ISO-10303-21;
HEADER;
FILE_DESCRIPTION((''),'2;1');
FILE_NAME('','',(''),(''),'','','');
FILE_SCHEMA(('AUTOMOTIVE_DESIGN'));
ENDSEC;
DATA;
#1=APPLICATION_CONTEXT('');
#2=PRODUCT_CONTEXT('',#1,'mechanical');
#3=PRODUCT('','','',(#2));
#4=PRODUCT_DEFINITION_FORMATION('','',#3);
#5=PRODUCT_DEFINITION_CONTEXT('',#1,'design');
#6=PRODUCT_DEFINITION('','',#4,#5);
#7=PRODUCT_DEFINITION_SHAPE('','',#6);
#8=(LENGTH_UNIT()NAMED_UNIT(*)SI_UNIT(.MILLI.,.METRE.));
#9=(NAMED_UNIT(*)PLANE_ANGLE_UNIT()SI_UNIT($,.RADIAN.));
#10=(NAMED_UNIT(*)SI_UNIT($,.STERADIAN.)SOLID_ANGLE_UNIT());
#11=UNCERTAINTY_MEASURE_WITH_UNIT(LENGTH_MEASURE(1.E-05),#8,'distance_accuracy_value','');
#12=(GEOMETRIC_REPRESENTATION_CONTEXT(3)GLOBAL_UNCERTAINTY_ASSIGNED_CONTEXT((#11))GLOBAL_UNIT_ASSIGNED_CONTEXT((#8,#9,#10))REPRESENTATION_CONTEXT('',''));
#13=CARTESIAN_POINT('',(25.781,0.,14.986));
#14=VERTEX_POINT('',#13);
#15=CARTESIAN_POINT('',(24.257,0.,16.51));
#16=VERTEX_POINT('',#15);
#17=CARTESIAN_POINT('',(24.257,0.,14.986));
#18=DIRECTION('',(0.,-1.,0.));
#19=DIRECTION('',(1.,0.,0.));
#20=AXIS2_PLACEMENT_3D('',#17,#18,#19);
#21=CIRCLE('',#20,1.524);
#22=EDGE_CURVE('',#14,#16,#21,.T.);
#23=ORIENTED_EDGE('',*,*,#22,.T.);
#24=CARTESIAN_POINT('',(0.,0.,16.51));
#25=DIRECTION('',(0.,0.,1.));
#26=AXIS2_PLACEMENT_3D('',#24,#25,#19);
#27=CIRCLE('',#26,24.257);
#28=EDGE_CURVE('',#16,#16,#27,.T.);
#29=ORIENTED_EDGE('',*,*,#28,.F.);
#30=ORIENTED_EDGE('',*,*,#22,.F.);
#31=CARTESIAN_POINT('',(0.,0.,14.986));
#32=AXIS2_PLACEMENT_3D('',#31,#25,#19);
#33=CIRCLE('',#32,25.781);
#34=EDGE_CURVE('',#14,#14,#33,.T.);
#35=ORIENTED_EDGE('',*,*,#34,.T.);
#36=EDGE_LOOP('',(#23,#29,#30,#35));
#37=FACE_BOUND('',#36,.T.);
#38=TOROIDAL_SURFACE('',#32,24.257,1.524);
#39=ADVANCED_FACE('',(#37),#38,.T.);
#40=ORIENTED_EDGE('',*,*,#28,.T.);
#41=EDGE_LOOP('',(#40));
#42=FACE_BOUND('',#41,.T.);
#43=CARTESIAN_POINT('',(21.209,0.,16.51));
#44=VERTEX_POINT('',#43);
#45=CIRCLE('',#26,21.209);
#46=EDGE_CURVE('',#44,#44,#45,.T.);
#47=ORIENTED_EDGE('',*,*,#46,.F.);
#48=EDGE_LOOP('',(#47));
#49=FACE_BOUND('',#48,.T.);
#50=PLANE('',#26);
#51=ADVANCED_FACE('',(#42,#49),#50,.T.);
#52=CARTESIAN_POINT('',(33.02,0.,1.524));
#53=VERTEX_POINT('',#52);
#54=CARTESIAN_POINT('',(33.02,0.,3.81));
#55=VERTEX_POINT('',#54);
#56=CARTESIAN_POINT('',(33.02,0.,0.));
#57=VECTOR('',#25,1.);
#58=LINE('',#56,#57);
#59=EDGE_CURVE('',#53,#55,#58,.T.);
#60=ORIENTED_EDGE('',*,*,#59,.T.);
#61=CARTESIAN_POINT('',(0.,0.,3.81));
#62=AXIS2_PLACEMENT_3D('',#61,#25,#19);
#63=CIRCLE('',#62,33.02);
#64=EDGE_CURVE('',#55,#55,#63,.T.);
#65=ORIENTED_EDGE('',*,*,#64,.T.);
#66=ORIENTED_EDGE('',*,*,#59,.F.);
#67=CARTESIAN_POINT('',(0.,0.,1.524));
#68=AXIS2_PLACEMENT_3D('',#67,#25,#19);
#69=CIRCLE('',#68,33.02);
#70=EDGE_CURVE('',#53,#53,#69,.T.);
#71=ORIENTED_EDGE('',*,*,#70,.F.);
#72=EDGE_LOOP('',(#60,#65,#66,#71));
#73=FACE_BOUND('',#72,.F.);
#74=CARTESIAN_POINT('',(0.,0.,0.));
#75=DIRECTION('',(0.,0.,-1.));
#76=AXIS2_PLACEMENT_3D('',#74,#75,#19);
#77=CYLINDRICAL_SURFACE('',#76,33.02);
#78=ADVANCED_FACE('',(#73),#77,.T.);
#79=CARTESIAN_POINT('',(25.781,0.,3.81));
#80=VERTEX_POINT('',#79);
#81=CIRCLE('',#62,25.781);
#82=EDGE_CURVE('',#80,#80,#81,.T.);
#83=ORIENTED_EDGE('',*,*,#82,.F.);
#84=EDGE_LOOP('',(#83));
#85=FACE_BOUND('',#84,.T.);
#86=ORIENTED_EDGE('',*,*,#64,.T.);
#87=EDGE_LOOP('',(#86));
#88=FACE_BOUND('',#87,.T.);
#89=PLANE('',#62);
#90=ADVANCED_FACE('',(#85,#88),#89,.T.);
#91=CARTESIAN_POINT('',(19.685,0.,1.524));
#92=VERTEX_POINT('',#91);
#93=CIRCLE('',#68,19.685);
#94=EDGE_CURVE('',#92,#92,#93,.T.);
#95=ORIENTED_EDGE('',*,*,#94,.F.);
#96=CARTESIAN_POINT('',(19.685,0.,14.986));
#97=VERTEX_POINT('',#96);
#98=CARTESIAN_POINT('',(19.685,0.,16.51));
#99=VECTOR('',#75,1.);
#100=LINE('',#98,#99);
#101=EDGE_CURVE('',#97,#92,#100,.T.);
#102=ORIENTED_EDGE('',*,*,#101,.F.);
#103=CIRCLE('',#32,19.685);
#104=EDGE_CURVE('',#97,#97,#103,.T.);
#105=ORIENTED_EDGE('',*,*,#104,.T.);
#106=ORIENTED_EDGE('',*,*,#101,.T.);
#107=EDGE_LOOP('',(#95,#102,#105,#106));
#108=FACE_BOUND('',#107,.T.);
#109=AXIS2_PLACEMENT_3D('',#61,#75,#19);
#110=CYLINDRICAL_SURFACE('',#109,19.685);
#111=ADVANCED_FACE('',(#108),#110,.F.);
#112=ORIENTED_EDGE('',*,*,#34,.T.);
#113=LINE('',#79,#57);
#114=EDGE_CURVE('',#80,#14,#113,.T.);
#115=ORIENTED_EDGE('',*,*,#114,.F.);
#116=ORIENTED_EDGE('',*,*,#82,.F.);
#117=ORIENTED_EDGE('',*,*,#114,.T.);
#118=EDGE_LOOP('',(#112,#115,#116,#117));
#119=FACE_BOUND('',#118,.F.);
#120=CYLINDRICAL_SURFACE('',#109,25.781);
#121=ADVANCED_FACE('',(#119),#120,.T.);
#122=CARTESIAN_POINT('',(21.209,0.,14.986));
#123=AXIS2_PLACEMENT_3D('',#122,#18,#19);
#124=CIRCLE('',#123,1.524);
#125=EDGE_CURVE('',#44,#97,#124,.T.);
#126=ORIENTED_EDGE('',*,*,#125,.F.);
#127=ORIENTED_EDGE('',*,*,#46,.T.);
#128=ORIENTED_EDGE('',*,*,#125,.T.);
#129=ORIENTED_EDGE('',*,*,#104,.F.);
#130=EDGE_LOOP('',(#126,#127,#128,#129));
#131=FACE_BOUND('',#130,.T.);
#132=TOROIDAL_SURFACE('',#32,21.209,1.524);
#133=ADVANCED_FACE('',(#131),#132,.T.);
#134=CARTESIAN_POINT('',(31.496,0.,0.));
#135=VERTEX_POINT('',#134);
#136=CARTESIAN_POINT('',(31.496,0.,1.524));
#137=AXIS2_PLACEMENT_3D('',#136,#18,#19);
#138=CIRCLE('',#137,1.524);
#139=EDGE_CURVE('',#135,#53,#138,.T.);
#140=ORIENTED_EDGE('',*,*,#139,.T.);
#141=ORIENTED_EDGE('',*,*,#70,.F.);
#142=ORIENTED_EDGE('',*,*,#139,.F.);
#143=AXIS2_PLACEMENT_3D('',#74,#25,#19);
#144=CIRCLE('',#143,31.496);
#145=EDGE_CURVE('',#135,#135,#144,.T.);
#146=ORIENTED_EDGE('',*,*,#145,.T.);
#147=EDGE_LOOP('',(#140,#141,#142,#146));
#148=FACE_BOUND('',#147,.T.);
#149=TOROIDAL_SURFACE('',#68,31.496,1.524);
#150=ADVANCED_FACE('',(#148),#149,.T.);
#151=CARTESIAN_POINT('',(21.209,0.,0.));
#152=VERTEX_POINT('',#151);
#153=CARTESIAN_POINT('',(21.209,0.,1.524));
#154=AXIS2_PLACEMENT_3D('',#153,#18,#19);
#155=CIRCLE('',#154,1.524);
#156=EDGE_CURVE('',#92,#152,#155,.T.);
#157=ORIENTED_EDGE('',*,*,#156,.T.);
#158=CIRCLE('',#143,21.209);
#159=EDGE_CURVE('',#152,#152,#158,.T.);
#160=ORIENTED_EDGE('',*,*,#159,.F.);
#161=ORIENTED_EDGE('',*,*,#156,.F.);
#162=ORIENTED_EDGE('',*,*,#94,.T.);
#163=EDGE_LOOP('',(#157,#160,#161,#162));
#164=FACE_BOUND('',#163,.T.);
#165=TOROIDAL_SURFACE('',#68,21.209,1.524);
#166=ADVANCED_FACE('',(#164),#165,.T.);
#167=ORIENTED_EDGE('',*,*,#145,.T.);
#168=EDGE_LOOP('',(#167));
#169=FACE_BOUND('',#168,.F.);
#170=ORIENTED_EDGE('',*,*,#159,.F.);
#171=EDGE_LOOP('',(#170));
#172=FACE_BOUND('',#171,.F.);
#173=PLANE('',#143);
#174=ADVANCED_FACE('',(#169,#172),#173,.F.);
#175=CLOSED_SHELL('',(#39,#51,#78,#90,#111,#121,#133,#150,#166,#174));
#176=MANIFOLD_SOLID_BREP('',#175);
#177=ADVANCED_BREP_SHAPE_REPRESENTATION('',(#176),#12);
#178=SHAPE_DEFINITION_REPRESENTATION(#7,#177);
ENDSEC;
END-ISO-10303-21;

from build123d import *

# Parameters (mm, degrees)
F0_R     = 33.02
F0_R_2   = 19.685
F1_DEPTH = 3.81
F2_R     = 25.781
F2_R_2   = 19.685
F3_DEPTH = 12.7
F4_R     = 1.524


with BuildPart() as f1:
    # F0 (on Top) → F1 (new body)
    with BuildSketch(Plane.XY):
        Circle(F0_R)
        Circle(F0_R_2, mode=Mode.SUBTRACT)
    extrude(amount=F1_DEPTH)

    # F2 (on face) → F3 (join)
    with BuildSketch(Plane.XY.offset(3.81)):
        Circle(F2_R)
        Circle(F2_R_2, mode=Mode.SUBTRACT)
    extrude(amount=F3_DEPTH)

    # F4
    f4_edges = [f1.edges().sort_by_distance(p)[0] for p in [
        (-33.02, 0, 0),
        (-19.685, 0, 0),
        (-25.781, 0, 16.51),
        (-19.685, 0, 16.51),
    ]]
    fillet(f4_edges, radius=F4_R)


solid = f1.part
